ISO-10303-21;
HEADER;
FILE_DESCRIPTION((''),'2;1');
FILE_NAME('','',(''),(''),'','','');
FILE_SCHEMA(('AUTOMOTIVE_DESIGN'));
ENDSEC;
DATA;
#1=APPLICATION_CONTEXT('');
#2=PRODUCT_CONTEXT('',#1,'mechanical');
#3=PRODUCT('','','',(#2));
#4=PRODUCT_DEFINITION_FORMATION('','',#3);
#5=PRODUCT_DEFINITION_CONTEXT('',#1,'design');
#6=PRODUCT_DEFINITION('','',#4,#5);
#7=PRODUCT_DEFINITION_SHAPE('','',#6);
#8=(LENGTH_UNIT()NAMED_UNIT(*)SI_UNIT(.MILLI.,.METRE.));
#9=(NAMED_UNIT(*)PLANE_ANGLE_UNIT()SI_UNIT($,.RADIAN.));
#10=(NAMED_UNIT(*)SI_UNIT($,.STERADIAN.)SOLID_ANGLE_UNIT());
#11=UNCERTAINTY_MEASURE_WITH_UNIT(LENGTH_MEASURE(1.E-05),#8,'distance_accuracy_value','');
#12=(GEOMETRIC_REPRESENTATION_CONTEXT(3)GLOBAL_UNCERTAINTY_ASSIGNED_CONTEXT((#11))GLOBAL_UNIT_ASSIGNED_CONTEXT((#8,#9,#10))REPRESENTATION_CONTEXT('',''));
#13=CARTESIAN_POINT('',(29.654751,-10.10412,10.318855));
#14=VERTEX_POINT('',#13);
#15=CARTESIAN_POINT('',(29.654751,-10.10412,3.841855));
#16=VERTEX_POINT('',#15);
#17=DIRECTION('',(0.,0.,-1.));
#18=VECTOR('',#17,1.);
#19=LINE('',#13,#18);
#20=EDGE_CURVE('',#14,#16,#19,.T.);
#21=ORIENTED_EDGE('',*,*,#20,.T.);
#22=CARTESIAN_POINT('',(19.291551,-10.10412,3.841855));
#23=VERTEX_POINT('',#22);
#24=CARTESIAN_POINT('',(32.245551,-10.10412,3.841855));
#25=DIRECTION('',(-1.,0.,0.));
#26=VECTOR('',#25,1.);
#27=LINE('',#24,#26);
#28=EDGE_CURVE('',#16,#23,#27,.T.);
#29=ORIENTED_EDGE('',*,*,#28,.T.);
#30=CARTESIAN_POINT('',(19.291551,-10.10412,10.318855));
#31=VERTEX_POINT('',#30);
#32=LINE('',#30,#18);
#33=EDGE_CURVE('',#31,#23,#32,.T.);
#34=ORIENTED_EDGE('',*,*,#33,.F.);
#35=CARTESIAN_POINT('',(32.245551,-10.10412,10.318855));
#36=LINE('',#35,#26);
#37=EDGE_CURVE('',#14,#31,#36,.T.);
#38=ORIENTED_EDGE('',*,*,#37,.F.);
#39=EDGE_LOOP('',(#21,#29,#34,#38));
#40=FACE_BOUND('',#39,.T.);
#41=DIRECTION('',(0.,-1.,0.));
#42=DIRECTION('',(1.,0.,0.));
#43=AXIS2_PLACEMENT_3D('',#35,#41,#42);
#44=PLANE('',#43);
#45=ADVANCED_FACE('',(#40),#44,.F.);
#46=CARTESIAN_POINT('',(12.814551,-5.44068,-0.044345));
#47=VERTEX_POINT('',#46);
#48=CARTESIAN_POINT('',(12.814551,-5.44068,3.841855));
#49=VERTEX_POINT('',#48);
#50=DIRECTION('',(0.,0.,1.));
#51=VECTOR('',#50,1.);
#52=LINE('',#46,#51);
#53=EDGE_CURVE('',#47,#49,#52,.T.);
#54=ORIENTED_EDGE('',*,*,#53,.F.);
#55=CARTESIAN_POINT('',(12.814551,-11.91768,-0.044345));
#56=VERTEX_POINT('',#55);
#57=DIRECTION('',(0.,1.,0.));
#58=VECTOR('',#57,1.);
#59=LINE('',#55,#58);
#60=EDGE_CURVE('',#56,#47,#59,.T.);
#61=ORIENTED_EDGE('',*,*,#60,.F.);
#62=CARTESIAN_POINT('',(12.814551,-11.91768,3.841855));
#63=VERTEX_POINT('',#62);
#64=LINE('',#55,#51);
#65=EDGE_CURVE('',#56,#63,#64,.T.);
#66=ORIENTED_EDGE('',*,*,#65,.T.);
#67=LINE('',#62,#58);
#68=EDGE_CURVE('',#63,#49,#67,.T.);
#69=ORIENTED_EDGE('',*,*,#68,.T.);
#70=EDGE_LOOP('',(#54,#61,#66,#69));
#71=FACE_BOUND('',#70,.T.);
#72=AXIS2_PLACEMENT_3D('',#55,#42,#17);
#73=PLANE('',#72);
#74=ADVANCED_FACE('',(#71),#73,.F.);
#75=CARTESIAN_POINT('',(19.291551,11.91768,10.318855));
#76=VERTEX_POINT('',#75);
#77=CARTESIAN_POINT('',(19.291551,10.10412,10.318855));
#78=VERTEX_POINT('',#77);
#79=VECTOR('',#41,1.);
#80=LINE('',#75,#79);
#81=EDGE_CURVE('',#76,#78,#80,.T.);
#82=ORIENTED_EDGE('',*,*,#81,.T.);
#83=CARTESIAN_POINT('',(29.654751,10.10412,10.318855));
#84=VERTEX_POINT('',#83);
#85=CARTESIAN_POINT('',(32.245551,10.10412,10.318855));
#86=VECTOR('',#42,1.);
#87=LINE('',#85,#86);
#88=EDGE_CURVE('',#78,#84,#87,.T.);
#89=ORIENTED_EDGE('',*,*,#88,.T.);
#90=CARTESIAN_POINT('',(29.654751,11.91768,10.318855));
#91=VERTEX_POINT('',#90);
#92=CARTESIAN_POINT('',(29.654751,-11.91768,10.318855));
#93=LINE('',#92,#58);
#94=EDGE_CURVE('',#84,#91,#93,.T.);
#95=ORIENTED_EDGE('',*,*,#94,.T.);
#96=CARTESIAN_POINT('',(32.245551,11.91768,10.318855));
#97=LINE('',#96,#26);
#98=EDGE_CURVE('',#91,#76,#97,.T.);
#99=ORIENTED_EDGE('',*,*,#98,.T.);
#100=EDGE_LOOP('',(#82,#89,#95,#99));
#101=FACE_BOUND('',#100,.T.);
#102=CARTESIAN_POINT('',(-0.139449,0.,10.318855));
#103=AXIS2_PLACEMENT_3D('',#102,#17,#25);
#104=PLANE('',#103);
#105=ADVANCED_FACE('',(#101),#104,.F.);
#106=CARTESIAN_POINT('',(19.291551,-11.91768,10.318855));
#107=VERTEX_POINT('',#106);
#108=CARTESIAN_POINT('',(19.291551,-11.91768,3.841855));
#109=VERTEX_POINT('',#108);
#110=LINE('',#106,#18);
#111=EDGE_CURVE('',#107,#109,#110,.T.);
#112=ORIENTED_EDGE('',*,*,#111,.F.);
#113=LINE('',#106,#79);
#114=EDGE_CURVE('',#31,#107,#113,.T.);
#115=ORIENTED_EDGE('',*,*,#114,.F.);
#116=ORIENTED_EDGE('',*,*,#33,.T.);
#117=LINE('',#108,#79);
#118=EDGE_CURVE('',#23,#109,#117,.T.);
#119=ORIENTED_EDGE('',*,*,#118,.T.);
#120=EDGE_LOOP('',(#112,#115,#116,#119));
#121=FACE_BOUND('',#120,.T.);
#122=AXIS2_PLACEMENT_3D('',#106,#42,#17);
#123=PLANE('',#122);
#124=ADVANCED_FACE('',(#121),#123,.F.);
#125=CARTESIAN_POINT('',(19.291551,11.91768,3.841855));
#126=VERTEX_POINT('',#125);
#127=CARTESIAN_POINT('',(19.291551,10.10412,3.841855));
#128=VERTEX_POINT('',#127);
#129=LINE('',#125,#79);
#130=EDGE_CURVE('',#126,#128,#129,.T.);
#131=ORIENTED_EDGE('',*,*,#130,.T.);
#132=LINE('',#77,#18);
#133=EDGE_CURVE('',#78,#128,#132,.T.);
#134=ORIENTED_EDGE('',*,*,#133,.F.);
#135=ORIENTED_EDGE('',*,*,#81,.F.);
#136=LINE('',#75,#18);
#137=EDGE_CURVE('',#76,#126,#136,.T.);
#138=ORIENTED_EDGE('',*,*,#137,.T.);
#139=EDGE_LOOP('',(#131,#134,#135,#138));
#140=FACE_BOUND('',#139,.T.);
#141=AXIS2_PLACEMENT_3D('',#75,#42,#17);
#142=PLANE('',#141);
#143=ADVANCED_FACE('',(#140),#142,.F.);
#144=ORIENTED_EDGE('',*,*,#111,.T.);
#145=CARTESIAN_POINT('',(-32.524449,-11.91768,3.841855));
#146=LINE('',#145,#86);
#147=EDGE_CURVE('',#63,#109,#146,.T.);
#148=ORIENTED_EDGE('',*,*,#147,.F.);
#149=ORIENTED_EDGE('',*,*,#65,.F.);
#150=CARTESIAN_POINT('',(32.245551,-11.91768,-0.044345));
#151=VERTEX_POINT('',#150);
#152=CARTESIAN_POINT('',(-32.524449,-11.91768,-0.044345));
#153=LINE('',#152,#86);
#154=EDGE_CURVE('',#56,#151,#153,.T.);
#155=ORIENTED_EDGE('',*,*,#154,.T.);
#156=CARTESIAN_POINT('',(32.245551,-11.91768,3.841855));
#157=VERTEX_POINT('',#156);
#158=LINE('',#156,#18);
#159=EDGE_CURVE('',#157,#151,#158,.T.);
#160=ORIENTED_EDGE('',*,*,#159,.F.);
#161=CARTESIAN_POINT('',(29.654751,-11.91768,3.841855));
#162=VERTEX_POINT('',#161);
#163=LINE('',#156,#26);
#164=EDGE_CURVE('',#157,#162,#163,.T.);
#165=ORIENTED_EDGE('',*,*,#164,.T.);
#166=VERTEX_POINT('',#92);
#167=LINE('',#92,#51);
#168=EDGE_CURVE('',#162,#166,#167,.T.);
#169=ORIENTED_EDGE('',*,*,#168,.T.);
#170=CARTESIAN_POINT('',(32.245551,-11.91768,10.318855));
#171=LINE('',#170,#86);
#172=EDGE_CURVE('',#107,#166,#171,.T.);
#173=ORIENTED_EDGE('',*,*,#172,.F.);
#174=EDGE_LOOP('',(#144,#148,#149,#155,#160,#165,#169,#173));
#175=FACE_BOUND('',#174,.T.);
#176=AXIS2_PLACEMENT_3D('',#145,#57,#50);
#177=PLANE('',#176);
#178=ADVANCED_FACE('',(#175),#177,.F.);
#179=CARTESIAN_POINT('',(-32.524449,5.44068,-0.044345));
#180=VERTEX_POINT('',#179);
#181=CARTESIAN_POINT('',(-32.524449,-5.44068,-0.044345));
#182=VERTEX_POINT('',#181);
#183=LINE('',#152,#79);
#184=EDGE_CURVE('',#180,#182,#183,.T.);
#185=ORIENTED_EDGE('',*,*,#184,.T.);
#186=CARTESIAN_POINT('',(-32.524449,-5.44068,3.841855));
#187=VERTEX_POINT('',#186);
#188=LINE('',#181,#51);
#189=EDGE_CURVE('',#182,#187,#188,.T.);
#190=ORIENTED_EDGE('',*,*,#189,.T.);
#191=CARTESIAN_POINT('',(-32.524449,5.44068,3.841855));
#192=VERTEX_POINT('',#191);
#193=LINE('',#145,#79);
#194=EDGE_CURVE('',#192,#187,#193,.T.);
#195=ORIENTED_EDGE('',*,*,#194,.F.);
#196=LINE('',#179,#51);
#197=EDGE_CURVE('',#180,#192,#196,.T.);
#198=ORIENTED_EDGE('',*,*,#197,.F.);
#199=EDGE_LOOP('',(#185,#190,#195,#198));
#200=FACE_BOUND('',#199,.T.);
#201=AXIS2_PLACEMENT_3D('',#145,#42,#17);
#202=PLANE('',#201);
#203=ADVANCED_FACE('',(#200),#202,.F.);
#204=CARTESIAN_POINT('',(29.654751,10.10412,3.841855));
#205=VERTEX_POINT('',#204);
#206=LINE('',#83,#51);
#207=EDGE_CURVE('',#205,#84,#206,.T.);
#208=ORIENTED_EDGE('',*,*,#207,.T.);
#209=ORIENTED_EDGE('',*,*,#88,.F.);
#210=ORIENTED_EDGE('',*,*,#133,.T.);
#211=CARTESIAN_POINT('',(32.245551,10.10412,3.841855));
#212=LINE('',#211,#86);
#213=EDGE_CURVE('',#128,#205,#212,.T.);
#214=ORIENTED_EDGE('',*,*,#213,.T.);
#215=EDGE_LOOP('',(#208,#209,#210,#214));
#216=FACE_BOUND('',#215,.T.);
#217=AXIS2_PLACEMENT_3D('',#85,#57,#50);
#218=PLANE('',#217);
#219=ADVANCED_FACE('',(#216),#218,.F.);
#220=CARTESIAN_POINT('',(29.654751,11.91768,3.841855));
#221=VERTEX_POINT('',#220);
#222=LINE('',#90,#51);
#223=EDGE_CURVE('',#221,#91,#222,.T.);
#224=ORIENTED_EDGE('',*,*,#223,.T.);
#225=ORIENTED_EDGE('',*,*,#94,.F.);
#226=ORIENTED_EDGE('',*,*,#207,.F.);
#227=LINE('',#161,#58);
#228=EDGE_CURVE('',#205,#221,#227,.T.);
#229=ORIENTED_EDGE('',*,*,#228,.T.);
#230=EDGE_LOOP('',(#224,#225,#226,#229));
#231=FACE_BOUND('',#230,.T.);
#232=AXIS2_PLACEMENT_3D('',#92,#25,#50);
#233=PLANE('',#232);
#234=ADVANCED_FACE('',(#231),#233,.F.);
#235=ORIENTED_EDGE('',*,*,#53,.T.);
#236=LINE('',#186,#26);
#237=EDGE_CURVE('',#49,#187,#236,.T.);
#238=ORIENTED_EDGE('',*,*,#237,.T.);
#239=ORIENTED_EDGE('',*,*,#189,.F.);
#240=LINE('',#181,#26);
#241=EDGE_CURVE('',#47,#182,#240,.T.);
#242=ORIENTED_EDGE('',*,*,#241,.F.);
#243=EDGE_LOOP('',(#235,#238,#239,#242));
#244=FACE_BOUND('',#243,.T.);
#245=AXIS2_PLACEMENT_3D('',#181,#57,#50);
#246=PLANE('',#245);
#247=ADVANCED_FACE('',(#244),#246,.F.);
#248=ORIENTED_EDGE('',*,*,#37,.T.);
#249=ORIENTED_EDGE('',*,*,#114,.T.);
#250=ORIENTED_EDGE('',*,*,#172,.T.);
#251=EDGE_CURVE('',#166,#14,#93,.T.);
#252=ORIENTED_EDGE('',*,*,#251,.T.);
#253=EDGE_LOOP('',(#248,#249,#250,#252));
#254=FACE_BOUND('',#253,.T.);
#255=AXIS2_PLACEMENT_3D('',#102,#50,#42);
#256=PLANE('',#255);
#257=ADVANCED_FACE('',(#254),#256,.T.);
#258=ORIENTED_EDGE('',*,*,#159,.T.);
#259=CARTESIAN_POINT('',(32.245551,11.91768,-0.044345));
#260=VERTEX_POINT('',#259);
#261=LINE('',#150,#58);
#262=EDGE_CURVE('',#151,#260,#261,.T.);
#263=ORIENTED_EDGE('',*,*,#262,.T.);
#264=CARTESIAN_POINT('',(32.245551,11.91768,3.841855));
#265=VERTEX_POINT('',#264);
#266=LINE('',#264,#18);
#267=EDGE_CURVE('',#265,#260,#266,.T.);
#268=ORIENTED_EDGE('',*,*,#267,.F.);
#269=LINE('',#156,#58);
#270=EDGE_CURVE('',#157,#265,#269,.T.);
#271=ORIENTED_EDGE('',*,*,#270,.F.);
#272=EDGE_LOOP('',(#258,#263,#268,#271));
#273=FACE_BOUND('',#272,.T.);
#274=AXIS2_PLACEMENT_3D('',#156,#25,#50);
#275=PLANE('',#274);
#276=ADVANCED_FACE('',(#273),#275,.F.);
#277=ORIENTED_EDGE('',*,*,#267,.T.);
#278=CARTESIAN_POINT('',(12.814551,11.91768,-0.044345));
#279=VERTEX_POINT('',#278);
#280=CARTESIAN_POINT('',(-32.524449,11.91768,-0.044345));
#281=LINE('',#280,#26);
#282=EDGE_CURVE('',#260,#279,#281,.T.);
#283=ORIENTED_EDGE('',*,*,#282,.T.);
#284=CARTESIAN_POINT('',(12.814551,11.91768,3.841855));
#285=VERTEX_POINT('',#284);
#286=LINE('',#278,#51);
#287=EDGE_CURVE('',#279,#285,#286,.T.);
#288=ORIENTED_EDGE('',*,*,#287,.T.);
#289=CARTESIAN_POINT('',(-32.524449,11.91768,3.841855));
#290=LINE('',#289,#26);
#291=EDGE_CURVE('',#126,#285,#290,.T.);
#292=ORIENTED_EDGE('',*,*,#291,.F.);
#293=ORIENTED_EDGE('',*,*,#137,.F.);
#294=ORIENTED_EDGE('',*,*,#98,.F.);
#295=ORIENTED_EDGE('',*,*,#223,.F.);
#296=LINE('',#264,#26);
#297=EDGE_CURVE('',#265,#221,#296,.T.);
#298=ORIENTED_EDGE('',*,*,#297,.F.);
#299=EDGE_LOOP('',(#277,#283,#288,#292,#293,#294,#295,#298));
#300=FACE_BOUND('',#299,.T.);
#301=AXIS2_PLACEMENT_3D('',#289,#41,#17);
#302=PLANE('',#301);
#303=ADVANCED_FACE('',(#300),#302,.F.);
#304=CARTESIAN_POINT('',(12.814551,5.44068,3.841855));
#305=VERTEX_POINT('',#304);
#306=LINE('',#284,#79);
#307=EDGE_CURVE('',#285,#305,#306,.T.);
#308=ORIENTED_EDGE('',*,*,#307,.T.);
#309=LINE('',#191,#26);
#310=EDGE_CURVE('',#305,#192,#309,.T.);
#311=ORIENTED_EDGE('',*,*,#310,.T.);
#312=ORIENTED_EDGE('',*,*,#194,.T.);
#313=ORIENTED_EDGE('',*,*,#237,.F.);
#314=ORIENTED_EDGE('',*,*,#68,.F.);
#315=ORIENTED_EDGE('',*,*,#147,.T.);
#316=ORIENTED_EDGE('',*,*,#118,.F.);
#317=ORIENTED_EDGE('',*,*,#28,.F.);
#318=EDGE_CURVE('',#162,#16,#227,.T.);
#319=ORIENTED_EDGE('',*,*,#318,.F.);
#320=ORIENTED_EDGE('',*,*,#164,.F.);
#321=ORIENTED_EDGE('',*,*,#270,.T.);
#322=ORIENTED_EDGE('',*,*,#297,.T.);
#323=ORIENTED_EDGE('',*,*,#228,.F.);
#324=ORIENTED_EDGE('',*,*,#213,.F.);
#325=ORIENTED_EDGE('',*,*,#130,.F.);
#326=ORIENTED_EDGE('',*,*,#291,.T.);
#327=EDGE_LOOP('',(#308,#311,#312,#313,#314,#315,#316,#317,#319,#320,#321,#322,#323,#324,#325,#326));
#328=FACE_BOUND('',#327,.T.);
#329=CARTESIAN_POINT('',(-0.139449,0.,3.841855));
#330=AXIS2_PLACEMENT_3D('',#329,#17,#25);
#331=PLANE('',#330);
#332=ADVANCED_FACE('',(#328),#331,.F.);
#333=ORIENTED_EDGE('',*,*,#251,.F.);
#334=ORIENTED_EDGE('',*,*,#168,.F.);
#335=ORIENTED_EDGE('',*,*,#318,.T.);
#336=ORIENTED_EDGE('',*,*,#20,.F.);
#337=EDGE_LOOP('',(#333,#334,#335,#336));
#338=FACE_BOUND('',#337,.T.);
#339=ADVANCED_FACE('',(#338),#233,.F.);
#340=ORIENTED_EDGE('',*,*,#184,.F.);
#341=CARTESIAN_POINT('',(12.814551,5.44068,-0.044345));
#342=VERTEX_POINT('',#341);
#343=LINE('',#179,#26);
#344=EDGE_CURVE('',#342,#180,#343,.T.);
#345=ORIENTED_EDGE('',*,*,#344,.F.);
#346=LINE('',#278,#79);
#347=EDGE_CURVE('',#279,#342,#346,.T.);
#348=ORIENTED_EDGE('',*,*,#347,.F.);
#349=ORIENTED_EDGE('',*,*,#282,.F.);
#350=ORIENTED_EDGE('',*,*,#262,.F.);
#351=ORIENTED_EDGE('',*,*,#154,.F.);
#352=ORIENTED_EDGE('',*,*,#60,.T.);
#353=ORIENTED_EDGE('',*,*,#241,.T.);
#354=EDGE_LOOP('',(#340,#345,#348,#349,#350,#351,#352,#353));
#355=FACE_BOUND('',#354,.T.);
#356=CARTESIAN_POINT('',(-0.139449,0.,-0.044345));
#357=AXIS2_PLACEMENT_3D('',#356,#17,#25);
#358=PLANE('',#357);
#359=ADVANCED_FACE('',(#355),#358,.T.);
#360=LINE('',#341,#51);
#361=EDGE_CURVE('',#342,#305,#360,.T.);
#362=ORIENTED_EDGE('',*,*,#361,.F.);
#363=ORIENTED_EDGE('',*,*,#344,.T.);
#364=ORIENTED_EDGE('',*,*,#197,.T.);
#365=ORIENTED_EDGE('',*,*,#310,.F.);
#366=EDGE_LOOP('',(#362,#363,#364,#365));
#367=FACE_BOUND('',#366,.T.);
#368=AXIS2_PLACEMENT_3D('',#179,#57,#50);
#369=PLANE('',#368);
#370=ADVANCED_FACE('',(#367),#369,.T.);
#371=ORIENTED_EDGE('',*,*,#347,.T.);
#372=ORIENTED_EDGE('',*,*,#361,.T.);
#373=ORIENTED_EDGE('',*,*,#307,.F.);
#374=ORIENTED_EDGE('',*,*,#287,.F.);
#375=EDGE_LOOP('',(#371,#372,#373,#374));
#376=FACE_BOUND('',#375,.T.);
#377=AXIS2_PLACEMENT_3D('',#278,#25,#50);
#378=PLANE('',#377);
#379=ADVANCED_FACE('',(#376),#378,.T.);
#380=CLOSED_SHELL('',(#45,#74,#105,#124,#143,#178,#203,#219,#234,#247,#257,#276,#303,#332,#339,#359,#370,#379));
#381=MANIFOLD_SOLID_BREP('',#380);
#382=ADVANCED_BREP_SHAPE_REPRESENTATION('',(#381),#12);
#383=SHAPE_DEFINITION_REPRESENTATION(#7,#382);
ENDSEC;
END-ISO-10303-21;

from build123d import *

# Parameters (mm, degrees)
SKETCH2_W           = 63.5
SKETCH2_H           = 23.368
BOSS_EXTRUDE1_DEPTH = 3.81
SKETCH3_W           = 12.7
SKETCH3_H           = 1.778
BOSS_EXTRUDE2_DEPTH = 6.35
SKETCH4_W           = 2.54
SKETCH4_H           = 6.35
CUT_EXTRUDE1_DEPTH  = 24.368
SKETCH5_W           = 44.45
SKETCH5_H           = 6.35
CUT_EXTRUDE2_DEPTH  = 4.81
SCALE1_SCALE        = 1.02


with BuildPart() as part:
    # Sketch2 → Boss-Extrude1 (new body)
    with BuildSketch(Plane.XY):
        Rectangle(SKETCH2_W, SKETCH2_H)
    extrude(amount=BOSS_EXTRUDE1_DEPTH)

    # Sketch3 → Boss-Extrude2 (add)
    with BuildSketch(Plane.XY.offset(3.81)):
        with Locations((25.4, 10.795)):
            Rectangle(SKETCH3_W, SKETCH3_H)
        with Locations((25.4, -10.795)):
            Rectangle(SKETCH3_W, SKETCH3_H)
    extrude(amount=BOSS_EXTRUDE2_DEPTH)

    # Sketch4 → Cut-Extrude1 (cut, through all)
    with BuildSketch(Plane(origin=(0, 11.684, 0), x_dir=(1, 0, 0), z_dir=(0, 1, 0))):
        with Locations((30.48, -6.985)):
            Rectangle(SKETCH4_W, SKETCH4_H)
    extrude(amount=-CUT_EXTRUDE1_DEPTH, mode=Mode.SUBTRACT)

    # Sketch5 → Cut-Extrude2 (cut, through all)
    with BuildSketch(Plane.XY.offset(3.81)):
        with Locations((-9.525, -8.509)):
            Rectangle(SKETCH5_W, SKETCH5_H)
    cut_extrude2 = extrude(amount=-CUT_EXTRUDE2_DEPTH, mode=Mode.SUBTRACT)

    # Mirror1: Cut-Extrude2 across plane
    add(cut_extrude2.mirror(Plane.ZX), mode=Mode.SUBTRACT)


with BuildPart() as part_1:
    # Scale1: scaled about (6.972453348, 0, 2.217272228)
    add(part.part.scale(SCALE1_SCALE).moved(Location((-0.139449067, 0, -0.044345445))))


solid = part_1.part
